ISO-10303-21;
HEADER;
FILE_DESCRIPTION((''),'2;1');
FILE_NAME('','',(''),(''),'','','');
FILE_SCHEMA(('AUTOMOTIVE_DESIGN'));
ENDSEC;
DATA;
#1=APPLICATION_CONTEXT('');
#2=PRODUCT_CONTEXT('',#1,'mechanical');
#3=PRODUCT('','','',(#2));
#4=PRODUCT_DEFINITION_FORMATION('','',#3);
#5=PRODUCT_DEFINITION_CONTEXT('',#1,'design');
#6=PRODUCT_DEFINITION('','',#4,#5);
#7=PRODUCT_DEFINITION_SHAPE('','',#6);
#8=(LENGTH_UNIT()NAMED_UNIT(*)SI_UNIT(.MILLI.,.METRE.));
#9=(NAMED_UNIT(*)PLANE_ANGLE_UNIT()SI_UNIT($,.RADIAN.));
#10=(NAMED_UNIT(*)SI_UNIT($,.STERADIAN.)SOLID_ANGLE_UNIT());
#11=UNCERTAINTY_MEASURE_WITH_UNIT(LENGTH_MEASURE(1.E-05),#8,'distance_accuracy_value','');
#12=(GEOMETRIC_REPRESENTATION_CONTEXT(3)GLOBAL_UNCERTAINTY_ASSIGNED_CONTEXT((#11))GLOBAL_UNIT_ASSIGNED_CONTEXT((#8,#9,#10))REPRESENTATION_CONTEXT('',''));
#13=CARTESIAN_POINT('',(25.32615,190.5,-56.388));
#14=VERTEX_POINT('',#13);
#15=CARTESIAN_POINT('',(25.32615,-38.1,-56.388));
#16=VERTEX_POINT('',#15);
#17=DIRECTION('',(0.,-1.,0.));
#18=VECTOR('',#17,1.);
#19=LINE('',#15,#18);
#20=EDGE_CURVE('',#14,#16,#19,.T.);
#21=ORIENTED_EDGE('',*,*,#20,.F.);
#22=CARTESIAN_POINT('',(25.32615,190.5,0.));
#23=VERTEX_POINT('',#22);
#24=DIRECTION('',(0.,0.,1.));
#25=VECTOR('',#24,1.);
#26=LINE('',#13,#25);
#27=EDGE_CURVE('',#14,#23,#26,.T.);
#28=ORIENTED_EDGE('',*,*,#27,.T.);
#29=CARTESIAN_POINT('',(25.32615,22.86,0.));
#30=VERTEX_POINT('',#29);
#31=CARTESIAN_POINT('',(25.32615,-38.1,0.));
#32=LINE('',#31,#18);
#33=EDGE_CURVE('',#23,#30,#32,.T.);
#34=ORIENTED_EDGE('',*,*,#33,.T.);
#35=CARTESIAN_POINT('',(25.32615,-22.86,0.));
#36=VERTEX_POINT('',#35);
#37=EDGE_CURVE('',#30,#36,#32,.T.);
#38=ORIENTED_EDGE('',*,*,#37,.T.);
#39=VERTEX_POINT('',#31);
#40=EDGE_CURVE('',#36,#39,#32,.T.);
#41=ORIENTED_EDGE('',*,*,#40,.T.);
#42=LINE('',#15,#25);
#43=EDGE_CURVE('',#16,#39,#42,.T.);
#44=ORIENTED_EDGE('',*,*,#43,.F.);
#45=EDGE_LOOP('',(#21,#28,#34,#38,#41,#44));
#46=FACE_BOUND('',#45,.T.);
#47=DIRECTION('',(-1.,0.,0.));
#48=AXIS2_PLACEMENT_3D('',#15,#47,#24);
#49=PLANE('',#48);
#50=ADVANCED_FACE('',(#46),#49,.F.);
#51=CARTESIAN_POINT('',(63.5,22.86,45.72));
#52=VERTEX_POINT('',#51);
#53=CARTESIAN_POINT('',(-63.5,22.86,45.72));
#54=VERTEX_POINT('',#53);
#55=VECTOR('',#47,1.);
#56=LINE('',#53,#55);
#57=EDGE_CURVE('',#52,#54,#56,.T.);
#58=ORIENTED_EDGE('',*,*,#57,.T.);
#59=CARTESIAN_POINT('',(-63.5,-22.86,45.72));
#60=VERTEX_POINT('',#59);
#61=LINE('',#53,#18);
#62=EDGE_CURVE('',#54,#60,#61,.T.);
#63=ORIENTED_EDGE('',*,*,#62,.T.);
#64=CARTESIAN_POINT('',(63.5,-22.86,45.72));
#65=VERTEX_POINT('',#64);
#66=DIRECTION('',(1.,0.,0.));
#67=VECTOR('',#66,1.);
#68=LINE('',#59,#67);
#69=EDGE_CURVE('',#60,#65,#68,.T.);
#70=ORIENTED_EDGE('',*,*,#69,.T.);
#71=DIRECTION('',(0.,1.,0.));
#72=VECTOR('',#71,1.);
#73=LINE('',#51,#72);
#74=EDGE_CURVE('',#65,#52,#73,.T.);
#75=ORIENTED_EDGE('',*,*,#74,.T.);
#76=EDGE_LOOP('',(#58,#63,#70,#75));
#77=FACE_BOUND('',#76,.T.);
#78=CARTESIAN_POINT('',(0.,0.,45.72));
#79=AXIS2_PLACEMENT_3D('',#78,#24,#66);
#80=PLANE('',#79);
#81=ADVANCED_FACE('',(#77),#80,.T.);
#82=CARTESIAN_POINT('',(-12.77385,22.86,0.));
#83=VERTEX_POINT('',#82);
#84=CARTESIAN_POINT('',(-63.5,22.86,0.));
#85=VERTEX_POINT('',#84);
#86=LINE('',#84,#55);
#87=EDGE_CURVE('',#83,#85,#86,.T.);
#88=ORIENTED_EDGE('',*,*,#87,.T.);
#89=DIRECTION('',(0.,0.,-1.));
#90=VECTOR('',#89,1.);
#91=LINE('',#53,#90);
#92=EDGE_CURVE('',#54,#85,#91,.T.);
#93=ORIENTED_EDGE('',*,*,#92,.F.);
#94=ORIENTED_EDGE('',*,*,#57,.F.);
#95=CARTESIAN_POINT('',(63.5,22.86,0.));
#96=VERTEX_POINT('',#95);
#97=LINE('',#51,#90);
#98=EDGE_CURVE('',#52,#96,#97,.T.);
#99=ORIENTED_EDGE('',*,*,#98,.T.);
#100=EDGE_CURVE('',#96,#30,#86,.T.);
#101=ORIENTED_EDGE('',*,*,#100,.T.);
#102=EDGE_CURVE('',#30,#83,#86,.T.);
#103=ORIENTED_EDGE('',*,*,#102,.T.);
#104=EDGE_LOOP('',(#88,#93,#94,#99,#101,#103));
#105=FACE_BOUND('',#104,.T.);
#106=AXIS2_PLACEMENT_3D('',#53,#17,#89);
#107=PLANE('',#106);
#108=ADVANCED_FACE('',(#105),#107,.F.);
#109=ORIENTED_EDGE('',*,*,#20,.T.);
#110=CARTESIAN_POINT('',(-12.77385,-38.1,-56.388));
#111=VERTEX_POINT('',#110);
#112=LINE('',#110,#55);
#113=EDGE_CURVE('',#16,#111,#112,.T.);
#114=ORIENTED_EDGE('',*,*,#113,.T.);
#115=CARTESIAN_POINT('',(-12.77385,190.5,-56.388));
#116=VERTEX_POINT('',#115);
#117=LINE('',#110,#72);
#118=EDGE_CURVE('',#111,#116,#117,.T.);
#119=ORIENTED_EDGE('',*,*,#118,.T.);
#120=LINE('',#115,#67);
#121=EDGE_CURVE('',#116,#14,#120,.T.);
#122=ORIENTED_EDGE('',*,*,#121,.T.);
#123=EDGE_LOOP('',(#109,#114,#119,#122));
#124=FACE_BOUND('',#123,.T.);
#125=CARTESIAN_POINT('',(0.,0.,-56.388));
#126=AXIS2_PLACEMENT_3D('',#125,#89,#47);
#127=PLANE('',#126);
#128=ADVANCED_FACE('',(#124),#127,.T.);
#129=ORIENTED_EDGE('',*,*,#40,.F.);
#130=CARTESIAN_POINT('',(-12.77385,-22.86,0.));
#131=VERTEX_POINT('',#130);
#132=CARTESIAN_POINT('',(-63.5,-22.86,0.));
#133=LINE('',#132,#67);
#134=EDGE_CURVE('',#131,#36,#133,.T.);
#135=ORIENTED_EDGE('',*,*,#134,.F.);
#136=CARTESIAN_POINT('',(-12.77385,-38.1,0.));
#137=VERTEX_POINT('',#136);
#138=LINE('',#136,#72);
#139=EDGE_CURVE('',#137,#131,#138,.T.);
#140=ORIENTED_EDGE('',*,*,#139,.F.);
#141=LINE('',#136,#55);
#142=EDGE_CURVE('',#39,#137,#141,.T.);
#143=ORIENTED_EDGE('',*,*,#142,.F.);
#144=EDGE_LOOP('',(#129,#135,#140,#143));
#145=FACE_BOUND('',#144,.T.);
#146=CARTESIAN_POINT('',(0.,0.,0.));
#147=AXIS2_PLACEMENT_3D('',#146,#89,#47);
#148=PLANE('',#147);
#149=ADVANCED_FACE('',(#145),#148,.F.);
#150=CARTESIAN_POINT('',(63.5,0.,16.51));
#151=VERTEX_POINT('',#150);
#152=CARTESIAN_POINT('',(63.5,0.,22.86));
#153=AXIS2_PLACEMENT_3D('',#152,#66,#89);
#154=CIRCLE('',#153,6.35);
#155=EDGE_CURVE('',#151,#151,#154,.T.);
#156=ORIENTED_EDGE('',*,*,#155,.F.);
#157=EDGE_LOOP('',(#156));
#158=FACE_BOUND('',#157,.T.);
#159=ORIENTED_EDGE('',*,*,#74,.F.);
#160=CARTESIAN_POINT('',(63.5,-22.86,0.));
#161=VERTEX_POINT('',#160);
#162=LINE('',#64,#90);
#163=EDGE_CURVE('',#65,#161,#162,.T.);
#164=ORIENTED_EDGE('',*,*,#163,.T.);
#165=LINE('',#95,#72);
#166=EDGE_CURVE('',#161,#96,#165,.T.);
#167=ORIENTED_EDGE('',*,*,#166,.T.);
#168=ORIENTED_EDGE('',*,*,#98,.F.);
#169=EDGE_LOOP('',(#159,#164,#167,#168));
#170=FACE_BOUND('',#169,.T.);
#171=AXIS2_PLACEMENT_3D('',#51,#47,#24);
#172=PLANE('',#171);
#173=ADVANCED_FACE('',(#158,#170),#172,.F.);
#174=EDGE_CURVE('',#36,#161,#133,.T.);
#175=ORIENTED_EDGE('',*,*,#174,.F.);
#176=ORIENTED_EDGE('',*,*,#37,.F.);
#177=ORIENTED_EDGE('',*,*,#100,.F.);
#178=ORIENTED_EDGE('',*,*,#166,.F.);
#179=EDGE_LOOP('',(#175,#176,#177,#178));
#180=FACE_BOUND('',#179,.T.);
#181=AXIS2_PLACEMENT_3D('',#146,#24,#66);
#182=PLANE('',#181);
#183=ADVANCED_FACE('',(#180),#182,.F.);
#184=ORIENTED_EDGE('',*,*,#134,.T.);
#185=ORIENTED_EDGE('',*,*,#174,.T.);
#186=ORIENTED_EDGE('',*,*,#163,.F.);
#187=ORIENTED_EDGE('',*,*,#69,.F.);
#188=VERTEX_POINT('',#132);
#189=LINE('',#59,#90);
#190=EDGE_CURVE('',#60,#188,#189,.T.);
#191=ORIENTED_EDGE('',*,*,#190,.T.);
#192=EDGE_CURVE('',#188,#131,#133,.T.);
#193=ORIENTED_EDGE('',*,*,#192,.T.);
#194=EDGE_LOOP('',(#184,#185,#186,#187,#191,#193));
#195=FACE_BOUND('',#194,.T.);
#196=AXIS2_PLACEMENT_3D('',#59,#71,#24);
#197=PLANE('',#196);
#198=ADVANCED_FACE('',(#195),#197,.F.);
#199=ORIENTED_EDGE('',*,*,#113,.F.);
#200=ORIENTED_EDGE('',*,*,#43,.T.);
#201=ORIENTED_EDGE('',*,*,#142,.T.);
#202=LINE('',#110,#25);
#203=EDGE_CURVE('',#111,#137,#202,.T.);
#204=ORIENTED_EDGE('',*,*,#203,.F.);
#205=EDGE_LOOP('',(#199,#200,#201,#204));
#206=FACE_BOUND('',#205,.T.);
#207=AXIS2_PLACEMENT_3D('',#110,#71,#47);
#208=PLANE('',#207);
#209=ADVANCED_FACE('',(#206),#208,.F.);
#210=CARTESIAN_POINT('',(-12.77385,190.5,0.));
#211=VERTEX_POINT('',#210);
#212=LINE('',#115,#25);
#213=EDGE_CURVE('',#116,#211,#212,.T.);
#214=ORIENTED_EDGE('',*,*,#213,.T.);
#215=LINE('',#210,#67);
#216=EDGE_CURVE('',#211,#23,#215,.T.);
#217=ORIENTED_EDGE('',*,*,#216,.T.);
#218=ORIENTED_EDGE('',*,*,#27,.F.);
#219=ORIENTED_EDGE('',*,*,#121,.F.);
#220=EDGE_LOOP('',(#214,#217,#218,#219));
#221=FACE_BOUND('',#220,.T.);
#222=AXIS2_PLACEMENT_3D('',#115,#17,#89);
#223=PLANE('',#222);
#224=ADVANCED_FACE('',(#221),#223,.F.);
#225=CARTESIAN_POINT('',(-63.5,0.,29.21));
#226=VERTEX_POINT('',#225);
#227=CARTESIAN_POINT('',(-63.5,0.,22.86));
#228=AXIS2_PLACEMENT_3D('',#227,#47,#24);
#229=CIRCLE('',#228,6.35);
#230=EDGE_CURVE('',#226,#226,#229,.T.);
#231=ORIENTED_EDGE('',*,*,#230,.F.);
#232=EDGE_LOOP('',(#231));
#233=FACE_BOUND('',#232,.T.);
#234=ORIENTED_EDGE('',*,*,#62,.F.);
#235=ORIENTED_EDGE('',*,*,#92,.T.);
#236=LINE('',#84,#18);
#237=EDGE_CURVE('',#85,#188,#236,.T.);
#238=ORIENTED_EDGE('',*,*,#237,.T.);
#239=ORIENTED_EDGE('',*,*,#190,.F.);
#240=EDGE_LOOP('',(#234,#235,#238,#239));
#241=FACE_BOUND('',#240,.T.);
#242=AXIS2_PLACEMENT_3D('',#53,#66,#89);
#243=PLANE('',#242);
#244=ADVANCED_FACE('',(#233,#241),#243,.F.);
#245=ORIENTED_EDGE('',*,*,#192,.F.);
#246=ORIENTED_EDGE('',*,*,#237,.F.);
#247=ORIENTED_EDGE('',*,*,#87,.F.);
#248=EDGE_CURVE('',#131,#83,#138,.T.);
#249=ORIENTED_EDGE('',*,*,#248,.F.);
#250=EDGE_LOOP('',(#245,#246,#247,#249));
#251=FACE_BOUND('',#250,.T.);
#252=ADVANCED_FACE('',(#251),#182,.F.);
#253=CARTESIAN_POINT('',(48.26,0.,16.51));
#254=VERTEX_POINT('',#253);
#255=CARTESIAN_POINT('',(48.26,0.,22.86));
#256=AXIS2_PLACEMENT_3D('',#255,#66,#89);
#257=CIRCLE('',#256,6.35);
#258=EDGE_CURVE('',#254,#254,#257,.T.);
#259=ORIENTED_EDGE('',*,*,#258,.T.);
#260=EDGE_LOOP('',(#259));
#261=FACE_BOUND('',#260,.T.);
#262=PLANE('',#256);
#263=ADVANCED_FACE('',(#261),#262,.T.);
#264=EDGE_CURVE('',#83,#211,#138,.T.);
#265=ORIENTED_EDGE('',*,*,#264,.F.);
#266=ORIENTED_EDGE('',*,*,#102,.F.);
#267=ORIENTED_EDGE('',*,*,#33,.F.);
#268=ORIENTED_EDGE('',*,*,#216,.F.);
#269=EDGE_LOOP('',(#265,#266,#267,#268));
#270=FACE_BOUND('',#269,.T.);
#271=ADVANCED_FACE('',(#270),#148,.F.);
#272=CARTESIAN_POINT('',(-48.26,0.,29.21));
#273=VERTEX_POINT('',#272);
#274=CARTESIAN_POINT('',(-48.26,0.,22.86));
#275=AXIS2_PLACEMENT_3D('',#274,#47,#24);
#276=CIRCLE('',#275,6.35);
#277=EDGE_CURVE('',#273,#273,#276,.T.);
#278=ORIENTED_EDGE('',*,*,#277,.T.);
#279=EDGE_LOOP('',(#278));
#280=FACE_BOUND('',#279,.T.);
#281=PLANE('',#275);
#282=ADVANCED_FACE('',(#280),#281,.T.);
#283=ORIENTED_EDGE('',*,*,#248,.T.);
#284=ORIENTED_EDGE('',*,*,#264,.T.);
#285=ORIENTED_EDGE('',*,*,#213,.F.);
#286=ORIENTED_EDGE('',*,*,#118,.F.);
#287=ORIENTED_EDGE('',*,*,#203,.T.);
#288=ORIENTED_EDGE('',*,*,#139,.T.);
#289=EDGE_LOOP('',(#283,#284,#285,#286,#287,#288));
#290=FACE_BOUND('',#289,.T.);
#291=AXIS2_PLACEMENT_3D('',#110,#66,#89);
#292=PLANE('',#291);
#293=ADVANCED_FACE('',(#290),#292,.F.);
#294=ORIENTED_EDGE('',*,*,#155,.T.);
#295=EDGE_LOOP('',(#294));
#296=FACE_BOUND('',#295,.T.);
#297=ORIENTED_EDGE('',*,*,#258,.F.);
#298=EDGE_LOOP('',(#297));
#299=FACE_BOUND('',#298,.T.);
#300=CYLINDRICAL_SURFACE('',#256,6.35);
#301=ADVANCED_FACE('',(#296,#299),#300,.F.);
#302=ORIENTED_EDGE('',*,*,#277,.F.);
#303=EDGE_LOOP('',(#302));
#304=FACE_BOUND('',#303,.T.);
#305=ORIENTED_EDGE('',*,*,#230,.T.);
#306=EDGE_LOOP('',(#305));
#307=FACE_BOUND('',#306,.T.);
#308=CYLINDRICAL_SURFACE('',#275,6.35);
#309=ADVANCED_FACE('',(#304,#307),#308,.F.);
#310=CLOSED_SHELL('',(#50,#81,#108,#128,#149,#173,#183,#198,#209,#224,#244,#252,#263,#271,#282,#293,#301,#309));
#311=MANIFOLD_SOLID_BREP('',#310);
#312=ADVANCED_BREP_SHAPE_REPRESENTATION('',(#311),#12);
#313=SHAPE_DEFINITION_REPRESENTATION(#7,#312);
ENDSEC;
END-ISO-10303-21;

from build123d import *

# Parameters (mm, degrees)
SKETCH1_W           = 127
SKETCH1_H           = 45.72
BOSS_EXTRUDE1_DEPTH = 45.72
SKETCH2_W           = 38.1
SKETCH2_H           = 228.6
BOSS_EXTRUDE2_DEPTH = 56.388
SKETCH3_R           = 6.35
CUT_EXTRUDE1_DEPTH  = 15.24
SKETCH4_R           = 6.35
CUT_EXTRUDE2_DEPTH  = 15.24


with BuildPart() as part:
    # Sketch1 → Boss-Extrude1 (new body)
    with BuildSketch(Plane.XY):
        Rectangle(SKETCH1_W, SKETCH1_H)
    extrude(amount=BOSS_EXTRUDE1_DEPTH)

    # Sketch2 → Boss-Extrude2 (add)
    with BuildSketch(Plane(origin=(0, 0, 0), x_dir=(-1, 0, 0), z_dir=(0, 0, -1))):
        with Locations((-6.276150489, 76.2)):
            Rectangle(SKETCH2_W, SKETCH2_H)
    extrude(amount=BOSS_EXTRUDE2_DEPTH)

    # Sketch3 → Cut-Extrude1 (cut)
    with BuildSketch(Plane(origin=(63.5, 0, 0), x_dir=(0, 0, -1), z_dir=(1, 0, 0))):
        with Locations((-22.86, 0)):
            Circle(SKETCH3_R)
    extrude(amount=-CUT_EXTRUDE1_DEPTH, mode=Mode.SUBTRACT)

    # Sketch4 → Cut-Extrude2 (cut)
    with BuildSketch(Plane.ZY.offset(63.5)):
        with Locations((22.86, 0)):
            Circle(SKETCH4_R)
    extrude(amount=-CUT_EXTRUDE2_DEPTH, mode=Mode.SUBTRACT)


solid = part.part
